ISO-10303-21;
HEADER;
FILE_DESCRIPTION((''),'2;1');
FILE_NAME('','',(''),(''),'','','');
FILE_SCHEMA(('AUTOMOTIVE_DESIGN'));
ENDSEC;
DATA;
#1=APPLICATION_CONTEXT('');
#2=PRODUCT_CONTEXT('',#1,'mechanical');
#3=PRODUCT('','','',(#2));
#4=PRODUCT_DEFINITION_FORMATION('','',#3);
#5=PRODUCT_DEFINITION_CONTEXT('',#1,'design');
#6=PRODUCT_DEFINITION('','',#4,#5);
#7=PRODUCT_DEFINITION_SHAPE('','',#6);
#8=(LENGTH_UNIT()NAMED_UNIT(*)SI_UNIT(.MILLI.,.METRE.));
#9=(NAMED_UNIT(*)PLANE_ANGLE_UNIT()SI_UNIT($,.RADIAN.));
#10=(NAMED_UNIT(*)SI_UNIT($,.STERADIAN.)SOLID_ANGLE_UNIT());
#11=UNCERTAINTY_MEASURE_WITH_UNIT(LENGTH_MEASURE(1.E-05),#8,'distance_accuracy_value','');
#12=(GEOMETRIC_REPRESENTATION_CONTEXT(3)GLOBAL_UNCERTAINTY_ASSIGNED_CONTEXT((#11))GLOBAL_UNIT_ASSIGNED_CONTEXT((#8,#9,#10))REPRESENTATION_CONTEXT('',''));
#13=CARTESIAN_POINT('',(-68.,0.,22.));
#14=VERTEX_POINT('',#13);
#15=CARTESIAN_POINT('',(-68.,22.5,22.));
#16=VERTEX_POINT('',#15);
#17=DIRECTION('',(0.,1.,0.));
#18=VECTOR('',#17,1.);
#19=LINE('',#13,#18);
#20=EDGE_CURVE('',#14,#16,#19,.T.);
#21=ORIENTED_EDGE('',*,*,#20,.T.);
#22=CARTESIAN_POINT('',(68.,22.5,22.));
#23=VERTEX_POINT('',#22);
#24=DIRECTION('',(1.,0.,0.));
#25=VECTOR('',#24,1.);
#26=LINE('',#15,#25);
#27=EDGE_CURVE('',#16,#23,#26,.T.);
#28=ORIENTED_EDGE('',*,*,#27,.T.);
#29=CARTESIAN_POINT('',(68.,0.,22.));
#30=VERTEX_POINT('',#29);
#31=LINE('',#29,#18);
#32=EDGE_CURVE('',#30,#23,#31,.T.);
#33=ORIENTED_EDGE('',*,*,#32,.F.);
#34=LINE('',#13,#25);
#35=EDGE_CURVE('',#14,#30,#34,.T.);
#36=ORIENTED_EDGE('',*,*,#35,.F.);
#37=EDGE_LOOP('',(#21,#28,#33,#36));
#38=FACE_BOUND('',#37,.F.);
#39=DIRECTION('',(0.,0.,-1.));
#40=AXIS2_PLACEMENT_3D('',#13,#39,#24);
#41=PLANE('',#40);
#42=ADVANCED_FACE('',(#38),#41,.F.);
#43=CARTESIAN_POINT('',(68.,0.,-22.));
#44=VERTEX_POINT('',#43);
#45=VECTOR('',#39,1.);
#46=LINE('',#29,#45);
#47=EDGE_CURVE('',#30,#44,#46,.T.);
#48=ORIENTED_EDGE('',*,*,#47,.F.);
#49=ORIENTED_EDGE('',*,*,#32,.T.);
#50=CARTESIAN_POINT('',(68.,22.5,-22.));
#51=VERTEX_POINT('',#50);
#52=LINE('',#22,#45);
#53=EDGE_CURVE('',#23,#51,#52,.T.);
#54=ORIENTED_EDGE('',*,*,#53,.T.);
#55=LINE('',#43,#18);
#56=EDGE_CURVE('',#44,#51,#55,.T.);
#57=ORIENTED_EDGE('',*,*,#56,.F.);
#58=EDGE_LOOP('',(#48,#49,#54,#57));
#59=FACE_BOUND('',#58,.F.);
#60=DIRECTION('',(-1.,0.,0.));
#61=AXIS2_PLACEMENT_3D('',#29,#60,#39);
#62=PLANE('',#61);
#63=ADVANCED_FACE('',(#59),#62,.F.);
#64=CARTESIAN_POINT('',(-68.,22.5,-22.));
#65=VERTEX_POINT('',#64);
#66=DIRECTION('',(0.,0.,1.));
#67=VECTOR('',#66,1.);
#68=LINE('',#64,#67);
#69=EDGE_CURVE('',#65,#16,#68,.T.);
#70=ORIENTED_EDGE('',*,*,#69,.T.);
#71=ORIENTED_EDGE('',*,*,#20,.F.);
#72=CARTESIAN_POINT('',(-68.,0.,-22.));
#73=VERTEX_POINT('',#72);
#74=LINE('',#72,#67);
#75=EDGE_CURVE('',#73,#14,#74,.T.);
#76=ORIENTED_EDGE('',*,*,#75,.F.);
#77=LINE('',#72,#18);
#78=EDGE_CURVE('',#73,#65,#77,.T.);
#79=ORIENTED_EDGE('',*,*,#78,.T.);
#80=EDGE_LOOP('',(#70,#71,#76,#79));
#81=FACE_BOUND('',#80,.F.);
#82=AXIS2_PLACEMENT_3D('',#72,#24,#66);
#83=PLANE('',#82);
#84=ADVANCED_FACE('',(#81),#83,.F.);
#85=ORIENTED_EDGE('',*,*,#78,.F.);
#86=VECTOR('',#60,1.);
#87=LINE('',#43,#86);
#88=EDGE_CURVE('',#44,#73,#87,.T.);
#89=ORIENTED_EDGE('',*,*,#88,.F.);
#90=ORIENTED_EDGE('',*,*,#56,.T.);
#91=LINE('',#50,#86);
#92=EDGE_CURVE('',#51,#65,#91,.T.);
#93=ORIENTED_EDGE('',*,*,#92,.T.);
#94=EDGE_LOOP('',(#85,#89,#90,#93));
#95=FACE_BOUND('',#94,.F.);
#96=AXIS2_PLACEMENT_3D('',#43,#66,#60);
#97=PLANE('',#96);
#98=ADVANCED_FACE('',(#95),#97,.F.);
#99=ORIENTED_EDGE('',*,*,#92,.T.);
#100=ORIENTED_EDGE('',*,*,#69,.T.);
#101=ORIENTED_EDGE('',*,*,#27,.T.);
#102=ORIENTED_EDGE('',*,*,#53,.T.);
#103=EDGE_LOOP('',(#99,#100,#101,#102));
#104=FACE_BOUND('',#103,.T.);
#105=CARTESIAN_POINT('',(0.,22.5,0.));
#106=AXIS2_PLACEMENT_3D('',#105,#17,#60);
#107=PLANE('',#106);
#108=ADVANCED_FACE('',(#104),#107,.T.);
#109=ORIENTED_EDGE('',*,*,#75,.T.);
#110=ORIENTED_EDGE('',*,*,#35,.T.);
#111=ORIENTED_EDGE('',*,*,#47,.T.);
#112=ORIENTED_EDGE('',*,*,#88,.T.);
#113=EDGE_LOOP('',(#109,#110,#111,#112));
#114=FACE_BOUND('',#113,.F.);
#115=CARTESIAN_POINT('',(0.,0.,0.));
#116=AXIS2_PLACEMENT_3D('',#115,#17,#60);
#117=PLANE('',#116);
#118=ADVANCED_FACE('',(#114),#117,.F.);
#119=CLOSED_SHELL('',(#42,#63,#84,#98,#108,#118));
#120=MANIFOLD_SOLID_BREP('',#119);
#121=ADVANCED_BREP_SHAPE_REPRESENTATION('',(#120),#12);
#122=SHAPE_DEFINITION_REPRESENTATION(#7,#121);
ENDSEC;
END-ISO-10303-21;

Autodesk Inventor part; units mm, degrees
ref_plane "YZ Plane" through (0, 0, 0) normal (1, 0, 0) x (0, 1, 0)
ref_plane "XZ Plane" through (0, 0, 0) normal (0, 1, 0) x (-1, 0, 0)
ref_plane "XY Plane" through (0, 0, 0) normal (0, 0, 1) x (1, 0, 0)
sketch "Sketch1" plane through (0, 0, 0) normal (0, 1, 0) x (-1, 0, 0)
  line L0 (68, 22) -> (-68, 22)
  line L1 (-68, 22) -> (-68, -22)
  line L2 (-68, -22) -> (68, -22)
  line L3 (68, -22) -> (68, 22)
  line L4 (68, 22) -> (-68, -22) construction
  line L5 (-68, 22) -> (68, -22) construction
  point P0 (0, 0)
  dimension "d0" = 136
  dimension "d1" = 44
extrude "Extrusion1" add sketch "Sketch1" along normal blind 22.5
properties part number "phat ahh battery"
